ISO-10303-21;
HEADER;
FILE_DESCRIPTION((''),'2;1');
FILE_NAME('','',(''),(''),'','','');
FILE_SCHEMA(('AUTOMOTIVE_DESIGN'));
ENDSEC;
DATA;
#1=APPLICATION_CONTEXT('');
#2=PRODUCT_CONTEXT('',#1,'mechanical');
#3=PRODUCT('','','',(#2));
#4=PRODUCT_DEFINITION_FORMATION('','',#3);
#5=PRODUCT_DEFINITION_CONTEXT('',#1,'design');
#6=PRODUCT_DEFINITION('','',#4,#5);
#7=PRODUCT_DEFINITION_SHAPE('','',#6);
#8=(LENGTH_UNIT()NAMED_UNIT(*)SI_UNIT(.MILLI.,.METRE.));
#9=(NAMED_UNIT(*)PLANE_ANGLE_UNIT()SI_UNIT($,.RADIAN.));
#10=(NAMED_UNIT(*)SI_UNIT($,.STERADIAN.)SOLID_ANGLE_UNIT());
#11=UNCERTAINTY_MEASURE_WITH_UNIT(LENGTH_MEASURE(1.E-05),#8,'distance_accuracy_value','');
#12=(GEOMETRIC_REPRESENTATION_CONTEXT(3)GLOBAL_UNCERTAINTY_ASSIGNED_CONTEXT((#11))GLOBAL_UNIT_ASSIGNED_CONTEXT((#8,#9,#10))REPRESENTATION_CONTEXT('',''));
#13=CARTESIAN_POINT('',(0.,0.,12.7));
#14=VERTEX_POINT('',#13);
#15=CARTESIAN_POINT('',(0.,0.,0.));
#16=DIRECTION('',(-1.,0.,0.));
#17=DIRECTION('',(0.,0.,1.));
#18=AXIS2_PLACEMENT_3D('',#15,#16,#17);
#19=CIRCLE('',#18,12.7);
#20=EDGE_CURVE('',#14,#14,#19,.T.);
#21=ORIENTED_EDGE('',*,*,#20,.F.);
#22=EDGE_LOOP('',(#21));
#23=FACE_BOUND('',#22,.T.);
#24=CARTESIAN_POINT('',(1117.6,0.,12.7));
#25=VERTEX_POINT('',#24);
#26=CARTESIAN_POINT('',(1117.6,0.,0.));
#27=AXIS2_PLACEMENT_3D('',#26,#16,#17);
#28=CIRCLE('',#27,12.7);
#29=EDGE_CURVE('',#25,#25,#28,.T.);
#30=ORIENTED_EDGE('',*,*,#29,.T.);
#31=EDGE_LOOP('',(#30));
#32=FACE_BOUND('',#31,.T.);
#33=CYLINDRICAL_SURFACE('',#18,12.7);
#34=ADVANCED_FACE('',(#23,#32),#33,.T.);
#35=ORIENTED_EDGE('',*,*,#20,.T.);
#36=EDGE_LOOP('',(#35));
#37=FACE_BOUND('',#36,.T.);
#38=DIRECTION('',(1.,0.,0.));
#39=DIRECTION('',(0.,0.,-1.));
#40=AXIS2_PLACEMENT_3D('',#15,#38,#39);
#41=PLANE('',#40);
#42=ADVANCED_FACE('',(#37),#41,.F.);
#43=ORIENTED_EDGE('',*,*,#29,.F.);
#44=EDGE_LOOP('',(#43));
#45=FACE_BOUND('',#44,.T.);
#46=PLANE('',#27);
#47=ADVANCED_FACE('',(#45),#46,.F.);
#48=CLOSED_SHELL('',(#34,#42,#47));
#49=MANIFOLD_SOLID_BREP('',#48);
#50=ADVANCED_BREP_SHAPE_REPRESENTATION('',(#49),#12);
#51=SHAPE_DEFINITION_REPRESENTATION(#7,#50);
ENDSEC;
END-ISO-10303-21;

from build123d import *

# Parameters (mm, degrees)
SKETCH1_W = 1117.6
SKETCH1_H = 12.7


with BuildPart() as part:
    # Sketch1 → Revolve1 (revolve)
    with BuildSketch(Plane(origin=(0, 0, 0), x_dir=(1, 0, 0), z_dir=(0, 1, 0)), mode=Mode.PRIVATE) as revolve1_sk:
        with Locations((558.8, 6.35)):
            Rectangle(SKETCH1_W, SKETCH1_H)
    revolve(revolve1_sk.sketch.rotate(Axis((0, 0, 0), (1, 0, 0)), 180), axis=Axis((0, 0, 0), (1, 0, 0)))


solid = part.part
